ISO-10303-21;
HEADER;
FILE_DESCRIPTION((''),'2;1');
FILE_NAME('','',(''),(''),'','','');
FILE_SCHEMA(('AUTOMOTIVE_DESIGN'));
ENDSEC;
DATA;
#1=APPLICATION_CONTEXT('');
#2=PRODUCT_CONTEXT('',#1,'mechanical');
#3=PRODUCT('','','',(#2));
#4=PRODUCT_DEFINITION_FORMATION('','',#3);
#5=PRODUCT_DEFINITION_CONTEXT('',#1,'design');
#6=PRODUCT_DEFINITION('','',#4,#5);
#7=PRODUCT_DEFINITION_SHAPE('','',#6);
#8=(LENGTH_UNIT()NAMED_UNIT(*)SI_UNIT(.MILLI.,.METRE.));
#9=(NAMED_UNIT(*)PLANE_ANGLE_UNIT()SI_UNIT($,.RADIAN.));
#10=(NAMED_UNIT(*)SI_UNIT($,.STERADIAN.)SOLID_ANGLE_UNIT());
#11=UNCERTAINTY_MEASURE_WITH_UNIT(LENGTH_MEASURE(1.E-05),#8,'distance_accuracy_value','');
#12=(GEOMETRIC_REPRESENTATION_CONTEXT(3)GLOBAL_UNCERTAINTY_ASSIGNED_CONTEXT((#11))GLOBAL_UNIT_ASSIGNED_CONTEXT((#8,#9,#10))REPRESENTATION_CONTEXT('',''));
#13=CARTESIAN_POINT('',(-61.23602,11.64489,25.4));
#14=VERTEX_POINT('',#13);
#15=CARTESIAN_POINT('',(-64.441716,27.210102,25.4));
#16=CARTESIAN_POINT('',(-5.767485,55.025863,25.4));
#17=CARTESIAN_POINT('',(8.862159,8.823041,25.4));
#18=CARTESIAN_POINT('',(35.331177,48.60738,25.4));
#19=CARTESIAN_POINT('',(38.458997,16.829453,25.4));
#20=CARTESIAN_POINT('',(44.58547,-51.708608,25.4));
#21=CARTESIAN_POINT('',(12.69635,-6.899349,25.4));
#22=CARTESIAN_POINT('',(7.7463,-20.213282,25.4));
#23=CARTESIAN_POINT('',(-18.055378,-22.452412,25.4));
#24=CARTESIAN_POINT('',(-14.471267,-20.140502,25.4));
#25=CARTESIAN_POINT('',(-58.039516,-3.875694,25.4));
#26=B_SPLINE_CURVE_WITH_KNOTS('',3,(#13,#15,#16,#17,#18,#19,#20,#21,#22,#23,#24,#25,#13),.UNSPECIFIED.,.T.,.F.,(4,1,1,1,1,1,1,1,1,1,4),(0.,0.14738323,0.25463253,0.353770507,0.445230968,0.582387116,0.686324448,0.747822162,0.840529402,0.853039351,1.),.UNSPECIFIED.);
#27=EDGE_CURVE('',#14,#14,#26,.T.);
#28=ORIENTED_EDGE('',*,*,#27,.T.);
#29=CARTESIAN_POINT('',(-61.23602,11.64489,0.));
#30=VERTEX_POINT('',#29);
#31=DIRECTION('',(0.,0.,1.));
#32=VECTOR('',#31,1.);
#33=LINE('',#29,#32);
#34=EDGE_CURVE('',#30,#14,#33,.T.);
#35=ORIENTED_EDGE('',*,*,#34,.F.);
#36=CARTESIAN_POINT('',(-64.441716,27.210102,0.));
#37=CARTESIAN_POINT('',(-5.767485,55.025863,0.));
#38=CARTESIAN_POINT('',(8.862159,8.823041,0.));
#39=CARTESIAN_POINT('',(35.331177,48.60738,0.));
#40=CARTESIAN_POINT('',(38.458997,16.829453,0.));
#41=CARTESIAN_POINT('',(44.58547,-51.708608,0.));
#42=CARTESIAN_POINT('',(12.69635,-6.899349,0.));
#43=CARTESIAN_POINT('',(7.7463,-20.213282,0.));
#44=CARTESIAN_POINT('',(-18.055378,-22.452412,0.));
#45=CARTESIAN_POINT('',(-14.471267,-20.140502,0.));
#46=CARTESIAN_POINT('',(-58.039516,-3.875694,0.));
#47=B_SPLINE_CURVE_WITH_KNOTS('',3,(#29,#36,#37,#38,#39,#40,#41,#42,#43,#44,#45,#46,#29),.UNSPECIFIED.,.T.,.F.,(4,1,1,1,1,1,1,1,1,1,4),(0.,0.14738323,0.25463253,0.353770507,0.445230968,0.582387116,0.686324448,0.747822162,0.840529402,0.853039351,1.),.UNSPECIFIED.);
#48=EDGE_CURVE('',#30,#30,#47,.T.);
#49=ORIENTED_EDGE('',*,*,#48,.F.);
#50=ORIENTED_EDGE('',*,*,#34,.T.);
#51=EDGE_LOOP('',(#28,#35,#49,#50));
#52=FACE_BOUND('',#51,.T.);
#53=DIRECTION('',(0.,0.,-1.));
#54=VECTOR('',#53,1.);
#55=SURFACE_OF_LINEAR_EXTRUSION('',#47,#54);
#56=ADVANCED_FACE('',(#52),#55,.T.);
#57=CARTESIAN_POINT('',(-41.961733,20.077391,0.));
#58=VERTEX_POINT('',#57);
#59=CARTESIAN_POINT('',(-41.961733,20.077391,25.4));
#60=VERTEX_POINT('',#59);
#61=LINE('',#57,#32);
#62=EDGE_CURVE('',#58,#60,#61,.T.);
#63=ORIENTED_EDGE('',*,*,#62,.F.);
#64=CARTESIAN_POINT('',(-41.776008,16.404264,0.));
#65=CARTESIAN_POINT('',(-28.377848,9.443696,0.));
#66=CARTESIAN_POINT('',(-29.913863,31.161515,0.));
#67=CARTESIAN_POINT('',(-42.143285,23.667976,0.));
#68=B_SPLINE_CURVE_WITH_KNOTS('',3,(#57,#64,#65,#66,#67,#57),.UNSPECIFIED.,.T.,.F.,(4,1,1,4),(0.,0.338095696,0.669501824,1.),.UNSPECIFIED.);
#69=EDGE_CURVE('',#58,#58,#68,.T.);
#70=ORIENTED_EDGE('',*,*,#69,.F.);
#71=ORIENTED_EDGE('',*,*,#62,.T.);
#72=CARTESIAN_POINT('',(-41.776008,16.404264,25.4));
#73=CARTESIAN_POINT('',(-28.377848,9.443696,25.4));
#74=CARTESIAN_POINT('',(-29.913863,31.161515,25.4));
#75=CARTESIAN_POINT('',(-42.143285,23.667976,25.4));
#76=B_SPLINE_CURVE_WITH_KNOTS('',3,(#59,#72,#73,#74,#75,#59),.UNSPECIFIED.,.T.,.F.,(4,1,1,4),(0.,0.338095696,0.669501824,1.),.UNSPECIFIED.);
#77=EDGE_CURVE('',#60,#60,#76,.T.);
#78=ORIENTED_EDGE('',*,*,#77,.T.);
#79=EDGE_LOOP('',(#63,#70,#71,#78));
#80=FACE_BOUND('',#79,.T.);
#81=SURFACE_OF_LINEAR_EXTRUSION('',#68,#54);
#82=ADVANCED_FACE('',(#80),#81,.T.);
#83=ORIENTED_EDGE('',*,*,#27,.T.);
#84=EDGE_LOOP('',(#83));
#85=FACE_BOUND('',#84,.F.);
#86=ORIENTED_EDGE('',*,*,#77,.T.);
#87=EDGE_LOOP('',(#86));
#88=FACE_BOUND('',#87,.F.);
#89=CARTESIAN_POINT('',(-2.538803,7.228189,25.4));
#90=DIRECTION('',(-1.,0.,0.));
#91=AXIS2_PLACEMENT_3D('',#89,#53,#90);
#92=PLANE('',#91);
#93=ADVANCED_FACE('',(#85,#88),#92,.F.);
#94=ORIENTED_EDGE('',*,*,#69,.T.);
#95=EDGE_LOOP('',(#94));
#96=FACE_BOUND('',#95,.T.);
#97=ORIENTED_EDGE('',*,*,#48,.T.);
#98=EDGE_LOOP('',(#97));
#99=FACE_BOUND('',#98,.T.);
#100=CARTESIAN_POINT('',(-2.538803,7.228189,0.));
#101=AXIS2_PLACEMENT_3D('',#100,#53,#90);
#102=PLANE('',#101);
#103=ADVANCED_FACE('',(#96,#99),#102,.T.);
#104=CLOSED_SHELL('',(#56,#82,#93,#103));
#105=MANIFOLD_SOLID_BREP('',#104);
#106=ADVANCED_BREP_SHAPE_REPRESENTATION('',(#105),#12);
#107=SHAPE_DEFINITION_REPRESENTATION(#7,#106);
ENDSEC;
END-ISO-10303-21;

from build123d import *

# Parameters (mm, degrees)
F1_DEPTH = 25.4


with BuildPart() as f1:
    # F0 (on Top) → F1 (new body)
    with BuildSketch(Plane.XY):
        with BuildLine():
            add(Edge.make_bspline(
                [(-61.2360201776, 11.6448896006), (-64.4417155869, 27.210102305), (-5.7674847912, 55.0258628942), (8.8621594649, 8.8230411823), (35.3311768583, 48.6073796724), (38.4589973221, 16.8294529813), (44.5854696607, -51.7086076148), (12.6963504151, -6.8993492823), (7.7463000238, -20.2132818128), (-18.0553776566, -22.4524119589), (-14.4712673763, -20.1405019361), (-58.0395162079, -3.8756941874), (-61.2360201776, 11.6448896006)],
                knots=[0, 0, 0, 0, 0.1473832297, 0.2546325302, 0.3537705066, 0.4452309684, 0.5823871159, 0.6863244483, 0.747822162, 0.8405294016, 0.8530393507, 1, 1, 1, 1], degree=3))
        make_face()
        with BuildLine():
            add(Edge.make_bspline(
                [(-41.9617332518, 20.0773905963), (-41.7760077975, 16.4042641251), (-28.3778482467, 9.4436964757), (-29.9138629159, 31.1615148593), (-42.1432851754, 23.6679763837), (-41.9617332518, 20.0773905963)],
                knots=[0, 0, 0, 0, 0.3380956956, 0.6695018239, 1, 1, 1, 1], degree=3))
        make_face(mode=Mode.SUBTRACT)
    extrude(amount=F1_DEPTH)


solid = f1.part
